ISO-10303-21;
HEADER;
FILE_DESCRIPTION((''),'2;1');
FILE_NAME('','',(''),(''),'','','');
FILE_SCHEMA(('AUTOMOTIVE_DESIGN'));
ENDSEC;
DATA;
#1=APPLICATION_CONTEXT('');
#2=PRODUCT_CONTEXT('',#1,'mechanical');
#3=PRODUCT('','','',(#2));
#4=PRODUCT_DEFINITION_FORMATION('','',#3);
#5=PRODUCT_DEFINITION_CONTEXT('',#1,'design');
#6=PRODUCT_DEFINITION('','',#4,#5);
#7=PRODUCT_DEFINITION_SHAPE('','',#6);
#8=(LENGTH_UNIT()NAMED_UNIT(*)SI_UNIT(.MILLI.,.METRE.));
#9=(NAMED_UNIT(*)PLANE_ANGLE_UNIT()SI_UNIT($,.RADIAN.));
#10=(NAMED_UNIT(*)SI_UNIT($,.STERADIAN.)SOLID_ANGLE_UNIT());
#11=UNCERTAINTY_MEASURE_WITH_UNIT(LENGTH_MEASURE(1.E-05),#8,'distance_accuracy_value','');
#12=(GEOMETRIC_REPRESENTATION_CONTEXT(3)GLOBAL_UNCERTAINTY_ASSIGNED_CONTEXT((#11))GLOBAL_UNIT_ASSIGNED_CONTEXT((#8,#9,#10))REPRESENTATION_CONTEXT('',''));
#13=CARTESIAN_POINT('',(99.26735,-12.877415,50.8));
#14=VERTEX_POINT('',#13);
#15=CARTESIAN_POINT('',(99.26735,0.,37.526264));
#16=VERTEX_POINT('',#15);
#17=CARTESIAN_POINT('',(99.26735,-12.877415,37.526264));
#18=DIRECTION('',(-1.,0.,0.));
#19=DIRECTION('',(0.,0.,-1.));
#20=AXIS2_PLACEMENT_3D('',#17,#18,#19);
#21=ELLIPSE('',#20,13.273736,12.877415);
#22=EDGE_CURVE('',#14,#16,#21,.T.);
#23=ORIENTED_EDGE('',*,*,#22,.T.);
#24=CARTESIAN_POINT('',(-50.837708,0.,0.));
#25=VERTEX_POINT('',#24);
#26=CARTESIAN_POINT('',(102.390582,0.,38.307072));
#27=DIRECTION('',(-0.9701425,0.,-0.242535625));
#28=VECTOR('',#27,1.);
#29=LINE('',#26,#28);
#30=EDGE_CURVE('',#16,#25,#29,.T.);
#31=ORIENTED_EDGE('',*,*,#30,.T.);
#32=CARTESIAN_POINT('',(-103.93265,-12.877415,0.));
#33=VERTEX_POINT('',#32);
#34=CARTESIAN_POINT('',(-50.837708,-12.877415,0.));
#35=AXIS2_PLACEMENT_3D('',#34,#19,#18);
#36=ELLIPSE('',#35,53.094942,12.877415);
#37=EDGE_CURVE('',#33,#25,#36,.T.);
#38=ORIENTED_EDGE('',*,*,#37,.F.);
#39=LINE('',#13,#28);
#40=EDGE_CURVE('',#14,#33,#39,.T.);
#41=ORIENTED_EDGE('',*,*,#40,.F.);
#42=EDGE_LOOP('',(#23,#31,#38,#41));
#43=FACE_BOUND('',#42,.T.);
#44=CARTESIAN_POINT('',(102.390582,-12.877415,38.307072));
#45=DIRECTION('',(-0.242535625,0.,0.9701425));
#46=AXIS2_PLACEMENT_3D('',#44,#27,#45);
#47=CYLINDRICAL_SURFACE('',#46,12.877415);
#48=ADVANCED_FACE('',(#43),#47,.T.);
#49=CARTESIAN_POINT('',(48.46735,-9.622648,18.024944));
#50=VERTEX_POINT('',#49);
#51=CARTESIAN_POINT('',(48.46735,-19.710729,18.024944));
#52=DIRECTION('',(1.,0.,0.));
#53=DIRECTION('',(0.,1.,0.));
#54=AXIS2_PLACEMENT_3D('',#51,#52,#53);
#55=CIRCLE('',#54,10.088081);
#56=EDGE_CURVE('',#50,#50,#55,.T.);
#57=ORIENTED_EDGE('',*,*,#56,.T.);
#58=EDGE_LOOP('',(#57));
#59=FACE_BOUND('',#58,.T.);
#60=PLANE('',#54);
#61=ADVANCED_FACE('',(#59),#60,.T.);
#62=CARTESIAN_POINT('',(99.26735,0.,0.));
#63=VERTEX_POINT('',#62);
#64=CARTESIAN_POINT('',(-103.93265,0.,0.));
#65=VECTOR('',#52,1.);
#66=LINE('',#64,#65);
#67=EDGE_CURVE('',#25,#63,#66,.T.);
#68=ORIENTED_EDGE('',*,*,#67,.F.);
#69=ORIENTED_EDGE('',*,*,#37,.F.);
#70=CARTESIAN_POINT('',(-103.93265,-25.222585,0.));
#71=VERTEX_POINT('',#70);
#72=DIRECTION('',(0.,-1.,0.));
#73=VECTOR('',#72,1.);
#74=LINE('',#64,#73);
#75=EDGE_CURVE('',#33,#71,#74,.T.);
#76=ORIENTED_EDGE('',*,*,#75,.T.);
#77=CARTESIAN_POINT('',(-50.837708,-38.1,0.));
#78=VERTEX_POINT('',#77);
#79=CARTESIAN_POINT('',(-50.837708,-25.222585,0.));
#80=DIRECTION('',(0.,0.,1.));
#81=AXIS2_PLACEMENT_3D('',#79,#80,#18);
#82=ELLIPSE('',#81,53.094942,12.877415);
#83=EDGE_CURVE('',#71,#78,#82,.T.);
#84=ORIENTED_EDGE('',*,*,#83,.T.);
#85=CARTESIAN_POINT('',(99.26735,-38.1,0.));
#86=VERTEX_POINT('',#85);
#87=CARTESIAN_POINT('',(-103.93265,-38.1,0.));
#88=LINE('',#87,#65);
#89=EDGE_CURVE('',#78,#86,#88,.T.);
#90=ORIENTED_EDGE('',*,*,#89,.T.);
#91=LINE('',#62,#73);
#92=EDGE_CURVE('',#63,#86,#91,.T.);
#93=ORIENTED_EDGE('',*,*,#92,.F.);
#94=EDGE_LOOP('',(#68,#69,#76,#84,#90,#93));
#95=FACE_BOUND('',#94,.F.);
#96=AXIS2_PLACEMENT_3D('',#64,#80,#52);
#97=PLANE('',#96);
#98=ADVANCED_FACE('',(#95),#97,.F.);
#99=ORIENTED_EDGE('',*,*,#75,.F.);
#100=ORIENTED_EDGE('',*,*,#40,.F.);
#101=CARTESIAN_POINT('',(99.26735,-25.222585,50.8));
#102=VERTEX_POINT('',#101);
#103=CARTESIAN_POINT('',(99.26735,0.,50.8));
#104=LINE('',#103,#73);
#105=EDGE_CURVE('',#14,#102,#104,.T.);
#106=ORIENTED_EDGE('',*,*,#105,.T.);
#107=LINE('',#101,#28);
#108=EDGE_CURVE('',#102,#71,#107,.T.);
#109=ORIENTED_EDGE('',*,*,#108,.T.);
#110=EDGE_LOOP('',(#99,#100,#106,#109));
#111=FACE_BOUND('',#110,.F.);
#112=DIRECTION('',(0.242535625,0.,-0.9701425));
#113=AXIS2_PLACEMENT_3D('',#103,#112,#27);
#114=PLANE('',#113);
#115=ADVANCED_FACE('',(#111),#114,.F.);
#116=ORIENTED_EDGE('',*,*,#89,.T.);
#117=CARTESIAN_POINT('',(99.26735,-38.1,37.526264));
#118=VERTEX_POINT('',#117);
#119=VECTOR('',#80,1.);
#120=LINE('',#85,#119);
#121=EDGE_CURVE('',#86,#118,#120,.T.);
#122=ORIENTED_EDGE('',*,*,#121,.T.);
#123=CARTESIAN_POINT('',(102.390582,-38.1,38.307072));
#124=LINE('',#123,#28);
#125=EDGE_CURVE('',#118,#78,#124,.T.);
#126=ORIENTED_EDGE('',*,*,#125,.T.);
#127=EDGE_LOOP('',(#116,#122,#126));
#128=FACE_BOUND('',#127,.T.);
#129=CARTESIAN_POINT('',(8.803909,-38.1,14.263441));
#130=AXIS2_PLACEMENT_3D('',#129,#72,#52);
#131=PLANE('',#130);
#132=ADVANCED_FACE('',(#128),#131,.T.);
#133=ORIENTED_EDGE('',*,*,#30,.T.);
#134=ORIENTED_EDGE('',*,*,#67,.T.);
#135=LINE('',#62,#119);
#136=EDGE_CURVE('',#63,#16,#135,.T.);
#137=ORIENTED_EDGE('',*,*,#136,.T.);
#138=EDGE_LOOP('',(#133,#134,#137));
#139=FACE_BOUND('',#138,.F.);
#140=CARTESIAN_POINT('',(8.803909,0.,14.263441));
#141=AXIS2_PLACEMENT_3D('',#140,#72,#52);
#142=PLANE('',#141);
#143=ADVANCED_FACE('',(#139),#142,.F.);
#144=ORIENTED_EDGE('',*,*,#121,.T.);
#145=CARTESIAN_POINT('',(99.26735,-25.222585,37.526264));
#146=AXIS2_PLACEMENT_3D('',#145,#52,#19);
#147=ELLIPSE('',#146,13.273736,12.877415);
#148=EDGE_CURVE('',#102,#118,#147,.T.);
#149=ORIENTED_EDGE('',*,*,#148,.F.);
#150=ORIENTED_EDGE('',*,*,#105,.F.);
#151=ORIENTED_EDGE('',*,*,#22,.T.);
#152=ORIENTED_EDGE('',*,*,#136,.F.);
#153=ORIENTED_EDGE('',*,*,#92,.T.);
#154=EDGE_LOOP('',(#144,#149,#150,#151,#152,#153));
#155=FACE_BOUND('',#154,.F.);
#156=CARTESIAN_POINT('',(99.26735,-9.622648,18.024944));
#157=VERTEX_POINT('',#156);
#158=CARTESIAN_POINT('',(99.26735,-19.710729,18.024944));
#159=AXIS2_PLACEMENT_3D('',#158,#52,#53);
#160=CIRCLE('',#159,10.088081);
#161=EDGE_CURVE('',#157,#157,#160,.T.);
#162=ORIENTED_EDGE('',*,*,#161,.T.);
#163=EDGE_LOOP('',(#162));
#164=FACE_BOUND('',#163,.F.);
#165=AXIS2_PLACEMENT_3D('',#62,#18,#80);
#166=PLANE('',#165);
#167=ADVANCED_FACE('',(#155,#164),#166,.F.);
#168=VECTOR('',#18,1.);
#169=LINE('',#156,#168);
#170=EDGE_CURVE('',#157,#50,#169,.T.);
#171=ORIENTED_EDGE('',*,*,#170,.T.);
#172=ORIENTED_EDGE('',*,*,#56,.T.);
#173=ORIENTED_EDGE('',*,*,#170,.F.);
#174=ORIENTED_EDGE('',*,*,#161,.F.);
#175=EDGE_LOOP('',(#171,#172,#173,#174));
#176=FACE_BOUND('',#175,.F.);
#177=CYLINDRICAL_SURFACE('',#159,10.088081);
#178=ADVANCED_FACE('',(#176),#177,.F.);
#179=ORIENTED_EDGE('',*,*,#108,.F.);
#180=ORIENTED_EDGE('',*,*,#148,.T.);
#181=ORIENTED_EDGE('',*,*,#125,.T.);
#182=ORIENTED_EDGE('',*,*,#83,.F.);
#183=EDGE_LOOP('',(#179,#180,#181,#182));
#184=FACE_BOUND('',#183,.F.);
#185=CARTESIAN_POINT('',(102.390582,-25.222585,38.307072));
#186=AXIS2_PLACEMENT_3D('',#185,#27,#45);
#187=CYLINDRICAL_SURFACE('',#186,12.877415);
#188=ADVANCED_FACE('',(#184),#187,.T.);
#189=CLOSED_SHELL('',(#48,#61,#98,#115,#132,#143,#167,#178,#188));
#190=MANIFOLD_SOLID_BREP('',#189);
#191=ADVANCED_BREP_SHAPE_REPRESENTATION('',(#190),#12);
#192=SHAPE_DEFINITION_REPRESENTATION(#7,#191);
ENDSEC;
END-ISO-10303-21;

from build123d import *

# Parameters (mm, degrees)
F1_DEPTH = 38.1
F2_R     = 12.877415
F3_R     = 10.088081
F4_DEPTH = 50.8


with BuildPart() as f1:
    # F0 (on Front) → F1 (new body)
    with BuildSketch(Plane.XZ):
        Polygon((-103.93265, 0), (99.26735, 0), (99.26735, 50.8), align=None)
    extrude(amount=F1_DEPTH)

    # F2
    f2_edges = [f1.edges().sort_by_distance(p)[0] for p in [
        (-2.33265, 0, 25.4),
        (-2.33265, -38.1, 25.4),
    ]]
    fillet(f2_edges, radius=F2_R)

    # F3 (on face) → F4 (cut)
    with BuildSketch(Plane.YZ.offset(99.26735)):
        with Locations((-19.710729, 18.024944)):
            Circle(F3_R)
    extrude(amount=-F4_DEPTH, mode=Mode.SUBTRACT)


solid = f1.part
